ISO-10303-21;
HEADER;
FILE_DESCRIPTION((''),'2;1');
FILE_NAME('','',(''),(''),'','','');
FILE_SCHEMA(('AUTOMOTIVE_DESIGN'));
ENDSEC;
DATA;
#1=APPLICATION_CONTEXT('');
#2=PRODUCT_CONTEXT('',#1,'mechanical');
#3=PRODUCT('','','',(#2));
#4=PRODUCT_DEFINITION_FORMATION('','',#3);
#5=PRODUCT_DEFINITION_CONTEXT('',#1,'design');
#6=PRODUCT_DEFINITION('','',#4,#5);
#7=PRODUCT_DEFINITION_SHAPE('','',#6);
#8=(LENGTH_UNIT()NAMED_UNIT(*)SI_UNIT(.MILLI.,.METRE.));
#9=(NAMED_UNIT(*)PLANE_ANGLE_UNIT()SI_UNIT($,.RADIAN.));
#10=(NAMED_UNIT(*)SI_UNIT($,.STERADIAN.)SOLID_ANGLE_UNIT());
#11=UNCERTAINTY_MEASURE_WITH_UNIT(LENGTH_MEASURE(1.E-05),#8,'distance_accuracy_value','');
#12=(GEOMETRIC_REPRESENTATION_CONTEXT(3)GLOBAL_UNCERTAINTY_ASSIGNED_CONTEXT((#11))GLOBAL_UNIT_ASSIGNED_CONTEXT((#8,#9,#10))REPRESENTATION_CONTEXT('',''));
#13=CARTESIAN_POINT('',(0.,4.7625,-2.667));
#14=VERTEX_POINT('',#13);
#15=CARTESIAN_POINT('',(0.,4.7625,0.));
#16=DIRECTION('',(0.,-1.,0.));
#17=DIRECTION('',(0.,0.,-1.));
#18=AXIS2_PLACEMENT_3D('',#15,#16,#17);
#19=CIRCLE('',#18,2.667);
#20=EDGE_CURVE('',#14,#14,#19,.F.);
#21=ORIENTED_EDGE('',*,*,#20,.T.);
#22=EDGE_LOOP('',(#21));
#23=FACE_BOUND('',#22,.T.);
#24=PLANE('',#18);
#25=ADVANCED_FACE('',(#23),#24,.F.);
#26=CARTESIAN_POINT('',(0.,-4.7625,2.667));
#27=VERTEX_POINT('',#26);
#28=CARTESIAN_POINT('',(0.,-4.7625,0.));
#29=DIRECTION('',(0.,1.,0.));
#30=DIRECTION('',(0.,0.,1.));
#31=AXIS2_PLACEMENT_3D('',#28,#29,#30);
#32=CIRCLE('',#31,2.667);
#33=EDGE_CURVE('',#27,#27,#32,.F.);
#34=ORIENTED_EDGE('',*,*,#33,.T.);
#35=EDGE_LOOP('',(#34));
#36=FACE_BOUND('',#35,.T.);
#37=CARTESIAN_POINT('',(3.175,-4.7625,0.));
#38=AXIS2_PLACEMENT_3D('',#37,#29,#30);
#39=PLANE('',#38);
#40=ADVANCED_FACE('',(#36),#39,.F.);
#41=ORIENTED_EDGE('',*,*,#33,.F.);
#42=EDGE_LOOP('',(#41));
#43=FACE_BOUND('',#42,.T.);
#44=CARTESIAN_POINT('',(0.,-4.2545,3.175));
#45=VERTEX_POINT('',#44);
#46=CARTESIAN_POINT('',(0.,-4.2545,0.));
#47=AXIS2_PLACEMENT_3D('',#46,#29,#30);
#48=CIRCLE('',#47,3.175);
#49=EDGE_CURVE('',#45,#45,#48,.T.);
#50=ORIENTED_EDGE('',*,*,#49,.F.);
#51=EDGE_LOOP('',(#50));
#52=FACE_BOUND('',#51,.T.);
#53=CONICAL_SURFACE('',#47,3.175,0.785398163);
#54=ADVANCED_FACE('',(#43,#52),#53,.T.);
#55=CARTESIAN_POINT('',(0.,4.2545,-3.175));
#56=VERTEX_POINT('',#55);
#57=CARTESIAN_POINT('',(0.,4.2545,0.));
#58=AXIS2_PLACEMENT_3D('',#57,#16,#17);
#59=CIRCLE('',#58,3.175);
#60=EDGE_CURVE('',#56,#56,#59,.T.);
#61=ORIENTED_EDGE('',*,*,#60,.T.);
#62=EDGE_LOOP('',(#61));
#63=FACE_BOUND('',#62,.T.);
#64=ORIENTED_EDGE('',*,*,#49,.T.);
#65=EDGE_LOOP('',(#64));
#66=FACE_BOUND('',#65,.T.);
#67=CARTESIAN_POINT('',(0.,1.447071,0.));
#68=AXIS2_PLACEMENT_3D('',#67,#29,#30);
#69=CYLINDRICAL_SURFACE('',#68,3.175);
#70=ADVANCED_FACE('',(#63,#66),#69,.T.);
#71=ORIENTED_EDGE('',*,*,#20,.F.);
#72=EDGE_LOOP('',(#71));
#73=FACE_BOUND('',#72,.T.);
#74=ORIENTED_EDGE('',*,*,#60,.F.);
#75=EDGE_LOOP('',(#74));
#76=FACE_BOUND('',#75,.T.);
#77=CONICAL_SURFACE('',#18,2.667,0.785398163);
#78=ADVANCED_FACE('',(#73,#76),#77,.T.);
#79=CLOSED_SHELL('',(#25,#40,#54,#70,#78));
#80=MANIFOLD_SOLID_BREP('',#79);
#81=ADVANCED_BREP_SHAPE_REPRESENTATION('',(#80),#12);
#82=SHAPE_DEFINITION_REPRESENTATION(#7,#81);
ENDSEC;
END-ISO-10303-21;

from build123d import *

# Parameters (mm, degrees)
SKETCH1_W     = 3.175
SKETCH1_H     = 9.525
CHAMFER1_SIZE = 0.508


with BuildPart() as part:
    # Sketch1 → Revolve1 (revolve)
    with BuildSketch(Plane.XY):
        with Locations((1.5875, 0)):
            Rectangle(SKETCH1_W, SKETCH1_H)
    revolve(axis=Axis((0, 1.447070913, 0), (0, -1, 0)))

    # Chamfer1
    chamfer1_edges = [part.edges().sort_by_distance(p)[0] for p in [
        (-3.175, -4.7625, 0),
        (-3.175, 4.7625, 0),
    ]]
    chamfer(chamfer1_edges, length=CHAMFER1_SIZE)


solid = part.part
